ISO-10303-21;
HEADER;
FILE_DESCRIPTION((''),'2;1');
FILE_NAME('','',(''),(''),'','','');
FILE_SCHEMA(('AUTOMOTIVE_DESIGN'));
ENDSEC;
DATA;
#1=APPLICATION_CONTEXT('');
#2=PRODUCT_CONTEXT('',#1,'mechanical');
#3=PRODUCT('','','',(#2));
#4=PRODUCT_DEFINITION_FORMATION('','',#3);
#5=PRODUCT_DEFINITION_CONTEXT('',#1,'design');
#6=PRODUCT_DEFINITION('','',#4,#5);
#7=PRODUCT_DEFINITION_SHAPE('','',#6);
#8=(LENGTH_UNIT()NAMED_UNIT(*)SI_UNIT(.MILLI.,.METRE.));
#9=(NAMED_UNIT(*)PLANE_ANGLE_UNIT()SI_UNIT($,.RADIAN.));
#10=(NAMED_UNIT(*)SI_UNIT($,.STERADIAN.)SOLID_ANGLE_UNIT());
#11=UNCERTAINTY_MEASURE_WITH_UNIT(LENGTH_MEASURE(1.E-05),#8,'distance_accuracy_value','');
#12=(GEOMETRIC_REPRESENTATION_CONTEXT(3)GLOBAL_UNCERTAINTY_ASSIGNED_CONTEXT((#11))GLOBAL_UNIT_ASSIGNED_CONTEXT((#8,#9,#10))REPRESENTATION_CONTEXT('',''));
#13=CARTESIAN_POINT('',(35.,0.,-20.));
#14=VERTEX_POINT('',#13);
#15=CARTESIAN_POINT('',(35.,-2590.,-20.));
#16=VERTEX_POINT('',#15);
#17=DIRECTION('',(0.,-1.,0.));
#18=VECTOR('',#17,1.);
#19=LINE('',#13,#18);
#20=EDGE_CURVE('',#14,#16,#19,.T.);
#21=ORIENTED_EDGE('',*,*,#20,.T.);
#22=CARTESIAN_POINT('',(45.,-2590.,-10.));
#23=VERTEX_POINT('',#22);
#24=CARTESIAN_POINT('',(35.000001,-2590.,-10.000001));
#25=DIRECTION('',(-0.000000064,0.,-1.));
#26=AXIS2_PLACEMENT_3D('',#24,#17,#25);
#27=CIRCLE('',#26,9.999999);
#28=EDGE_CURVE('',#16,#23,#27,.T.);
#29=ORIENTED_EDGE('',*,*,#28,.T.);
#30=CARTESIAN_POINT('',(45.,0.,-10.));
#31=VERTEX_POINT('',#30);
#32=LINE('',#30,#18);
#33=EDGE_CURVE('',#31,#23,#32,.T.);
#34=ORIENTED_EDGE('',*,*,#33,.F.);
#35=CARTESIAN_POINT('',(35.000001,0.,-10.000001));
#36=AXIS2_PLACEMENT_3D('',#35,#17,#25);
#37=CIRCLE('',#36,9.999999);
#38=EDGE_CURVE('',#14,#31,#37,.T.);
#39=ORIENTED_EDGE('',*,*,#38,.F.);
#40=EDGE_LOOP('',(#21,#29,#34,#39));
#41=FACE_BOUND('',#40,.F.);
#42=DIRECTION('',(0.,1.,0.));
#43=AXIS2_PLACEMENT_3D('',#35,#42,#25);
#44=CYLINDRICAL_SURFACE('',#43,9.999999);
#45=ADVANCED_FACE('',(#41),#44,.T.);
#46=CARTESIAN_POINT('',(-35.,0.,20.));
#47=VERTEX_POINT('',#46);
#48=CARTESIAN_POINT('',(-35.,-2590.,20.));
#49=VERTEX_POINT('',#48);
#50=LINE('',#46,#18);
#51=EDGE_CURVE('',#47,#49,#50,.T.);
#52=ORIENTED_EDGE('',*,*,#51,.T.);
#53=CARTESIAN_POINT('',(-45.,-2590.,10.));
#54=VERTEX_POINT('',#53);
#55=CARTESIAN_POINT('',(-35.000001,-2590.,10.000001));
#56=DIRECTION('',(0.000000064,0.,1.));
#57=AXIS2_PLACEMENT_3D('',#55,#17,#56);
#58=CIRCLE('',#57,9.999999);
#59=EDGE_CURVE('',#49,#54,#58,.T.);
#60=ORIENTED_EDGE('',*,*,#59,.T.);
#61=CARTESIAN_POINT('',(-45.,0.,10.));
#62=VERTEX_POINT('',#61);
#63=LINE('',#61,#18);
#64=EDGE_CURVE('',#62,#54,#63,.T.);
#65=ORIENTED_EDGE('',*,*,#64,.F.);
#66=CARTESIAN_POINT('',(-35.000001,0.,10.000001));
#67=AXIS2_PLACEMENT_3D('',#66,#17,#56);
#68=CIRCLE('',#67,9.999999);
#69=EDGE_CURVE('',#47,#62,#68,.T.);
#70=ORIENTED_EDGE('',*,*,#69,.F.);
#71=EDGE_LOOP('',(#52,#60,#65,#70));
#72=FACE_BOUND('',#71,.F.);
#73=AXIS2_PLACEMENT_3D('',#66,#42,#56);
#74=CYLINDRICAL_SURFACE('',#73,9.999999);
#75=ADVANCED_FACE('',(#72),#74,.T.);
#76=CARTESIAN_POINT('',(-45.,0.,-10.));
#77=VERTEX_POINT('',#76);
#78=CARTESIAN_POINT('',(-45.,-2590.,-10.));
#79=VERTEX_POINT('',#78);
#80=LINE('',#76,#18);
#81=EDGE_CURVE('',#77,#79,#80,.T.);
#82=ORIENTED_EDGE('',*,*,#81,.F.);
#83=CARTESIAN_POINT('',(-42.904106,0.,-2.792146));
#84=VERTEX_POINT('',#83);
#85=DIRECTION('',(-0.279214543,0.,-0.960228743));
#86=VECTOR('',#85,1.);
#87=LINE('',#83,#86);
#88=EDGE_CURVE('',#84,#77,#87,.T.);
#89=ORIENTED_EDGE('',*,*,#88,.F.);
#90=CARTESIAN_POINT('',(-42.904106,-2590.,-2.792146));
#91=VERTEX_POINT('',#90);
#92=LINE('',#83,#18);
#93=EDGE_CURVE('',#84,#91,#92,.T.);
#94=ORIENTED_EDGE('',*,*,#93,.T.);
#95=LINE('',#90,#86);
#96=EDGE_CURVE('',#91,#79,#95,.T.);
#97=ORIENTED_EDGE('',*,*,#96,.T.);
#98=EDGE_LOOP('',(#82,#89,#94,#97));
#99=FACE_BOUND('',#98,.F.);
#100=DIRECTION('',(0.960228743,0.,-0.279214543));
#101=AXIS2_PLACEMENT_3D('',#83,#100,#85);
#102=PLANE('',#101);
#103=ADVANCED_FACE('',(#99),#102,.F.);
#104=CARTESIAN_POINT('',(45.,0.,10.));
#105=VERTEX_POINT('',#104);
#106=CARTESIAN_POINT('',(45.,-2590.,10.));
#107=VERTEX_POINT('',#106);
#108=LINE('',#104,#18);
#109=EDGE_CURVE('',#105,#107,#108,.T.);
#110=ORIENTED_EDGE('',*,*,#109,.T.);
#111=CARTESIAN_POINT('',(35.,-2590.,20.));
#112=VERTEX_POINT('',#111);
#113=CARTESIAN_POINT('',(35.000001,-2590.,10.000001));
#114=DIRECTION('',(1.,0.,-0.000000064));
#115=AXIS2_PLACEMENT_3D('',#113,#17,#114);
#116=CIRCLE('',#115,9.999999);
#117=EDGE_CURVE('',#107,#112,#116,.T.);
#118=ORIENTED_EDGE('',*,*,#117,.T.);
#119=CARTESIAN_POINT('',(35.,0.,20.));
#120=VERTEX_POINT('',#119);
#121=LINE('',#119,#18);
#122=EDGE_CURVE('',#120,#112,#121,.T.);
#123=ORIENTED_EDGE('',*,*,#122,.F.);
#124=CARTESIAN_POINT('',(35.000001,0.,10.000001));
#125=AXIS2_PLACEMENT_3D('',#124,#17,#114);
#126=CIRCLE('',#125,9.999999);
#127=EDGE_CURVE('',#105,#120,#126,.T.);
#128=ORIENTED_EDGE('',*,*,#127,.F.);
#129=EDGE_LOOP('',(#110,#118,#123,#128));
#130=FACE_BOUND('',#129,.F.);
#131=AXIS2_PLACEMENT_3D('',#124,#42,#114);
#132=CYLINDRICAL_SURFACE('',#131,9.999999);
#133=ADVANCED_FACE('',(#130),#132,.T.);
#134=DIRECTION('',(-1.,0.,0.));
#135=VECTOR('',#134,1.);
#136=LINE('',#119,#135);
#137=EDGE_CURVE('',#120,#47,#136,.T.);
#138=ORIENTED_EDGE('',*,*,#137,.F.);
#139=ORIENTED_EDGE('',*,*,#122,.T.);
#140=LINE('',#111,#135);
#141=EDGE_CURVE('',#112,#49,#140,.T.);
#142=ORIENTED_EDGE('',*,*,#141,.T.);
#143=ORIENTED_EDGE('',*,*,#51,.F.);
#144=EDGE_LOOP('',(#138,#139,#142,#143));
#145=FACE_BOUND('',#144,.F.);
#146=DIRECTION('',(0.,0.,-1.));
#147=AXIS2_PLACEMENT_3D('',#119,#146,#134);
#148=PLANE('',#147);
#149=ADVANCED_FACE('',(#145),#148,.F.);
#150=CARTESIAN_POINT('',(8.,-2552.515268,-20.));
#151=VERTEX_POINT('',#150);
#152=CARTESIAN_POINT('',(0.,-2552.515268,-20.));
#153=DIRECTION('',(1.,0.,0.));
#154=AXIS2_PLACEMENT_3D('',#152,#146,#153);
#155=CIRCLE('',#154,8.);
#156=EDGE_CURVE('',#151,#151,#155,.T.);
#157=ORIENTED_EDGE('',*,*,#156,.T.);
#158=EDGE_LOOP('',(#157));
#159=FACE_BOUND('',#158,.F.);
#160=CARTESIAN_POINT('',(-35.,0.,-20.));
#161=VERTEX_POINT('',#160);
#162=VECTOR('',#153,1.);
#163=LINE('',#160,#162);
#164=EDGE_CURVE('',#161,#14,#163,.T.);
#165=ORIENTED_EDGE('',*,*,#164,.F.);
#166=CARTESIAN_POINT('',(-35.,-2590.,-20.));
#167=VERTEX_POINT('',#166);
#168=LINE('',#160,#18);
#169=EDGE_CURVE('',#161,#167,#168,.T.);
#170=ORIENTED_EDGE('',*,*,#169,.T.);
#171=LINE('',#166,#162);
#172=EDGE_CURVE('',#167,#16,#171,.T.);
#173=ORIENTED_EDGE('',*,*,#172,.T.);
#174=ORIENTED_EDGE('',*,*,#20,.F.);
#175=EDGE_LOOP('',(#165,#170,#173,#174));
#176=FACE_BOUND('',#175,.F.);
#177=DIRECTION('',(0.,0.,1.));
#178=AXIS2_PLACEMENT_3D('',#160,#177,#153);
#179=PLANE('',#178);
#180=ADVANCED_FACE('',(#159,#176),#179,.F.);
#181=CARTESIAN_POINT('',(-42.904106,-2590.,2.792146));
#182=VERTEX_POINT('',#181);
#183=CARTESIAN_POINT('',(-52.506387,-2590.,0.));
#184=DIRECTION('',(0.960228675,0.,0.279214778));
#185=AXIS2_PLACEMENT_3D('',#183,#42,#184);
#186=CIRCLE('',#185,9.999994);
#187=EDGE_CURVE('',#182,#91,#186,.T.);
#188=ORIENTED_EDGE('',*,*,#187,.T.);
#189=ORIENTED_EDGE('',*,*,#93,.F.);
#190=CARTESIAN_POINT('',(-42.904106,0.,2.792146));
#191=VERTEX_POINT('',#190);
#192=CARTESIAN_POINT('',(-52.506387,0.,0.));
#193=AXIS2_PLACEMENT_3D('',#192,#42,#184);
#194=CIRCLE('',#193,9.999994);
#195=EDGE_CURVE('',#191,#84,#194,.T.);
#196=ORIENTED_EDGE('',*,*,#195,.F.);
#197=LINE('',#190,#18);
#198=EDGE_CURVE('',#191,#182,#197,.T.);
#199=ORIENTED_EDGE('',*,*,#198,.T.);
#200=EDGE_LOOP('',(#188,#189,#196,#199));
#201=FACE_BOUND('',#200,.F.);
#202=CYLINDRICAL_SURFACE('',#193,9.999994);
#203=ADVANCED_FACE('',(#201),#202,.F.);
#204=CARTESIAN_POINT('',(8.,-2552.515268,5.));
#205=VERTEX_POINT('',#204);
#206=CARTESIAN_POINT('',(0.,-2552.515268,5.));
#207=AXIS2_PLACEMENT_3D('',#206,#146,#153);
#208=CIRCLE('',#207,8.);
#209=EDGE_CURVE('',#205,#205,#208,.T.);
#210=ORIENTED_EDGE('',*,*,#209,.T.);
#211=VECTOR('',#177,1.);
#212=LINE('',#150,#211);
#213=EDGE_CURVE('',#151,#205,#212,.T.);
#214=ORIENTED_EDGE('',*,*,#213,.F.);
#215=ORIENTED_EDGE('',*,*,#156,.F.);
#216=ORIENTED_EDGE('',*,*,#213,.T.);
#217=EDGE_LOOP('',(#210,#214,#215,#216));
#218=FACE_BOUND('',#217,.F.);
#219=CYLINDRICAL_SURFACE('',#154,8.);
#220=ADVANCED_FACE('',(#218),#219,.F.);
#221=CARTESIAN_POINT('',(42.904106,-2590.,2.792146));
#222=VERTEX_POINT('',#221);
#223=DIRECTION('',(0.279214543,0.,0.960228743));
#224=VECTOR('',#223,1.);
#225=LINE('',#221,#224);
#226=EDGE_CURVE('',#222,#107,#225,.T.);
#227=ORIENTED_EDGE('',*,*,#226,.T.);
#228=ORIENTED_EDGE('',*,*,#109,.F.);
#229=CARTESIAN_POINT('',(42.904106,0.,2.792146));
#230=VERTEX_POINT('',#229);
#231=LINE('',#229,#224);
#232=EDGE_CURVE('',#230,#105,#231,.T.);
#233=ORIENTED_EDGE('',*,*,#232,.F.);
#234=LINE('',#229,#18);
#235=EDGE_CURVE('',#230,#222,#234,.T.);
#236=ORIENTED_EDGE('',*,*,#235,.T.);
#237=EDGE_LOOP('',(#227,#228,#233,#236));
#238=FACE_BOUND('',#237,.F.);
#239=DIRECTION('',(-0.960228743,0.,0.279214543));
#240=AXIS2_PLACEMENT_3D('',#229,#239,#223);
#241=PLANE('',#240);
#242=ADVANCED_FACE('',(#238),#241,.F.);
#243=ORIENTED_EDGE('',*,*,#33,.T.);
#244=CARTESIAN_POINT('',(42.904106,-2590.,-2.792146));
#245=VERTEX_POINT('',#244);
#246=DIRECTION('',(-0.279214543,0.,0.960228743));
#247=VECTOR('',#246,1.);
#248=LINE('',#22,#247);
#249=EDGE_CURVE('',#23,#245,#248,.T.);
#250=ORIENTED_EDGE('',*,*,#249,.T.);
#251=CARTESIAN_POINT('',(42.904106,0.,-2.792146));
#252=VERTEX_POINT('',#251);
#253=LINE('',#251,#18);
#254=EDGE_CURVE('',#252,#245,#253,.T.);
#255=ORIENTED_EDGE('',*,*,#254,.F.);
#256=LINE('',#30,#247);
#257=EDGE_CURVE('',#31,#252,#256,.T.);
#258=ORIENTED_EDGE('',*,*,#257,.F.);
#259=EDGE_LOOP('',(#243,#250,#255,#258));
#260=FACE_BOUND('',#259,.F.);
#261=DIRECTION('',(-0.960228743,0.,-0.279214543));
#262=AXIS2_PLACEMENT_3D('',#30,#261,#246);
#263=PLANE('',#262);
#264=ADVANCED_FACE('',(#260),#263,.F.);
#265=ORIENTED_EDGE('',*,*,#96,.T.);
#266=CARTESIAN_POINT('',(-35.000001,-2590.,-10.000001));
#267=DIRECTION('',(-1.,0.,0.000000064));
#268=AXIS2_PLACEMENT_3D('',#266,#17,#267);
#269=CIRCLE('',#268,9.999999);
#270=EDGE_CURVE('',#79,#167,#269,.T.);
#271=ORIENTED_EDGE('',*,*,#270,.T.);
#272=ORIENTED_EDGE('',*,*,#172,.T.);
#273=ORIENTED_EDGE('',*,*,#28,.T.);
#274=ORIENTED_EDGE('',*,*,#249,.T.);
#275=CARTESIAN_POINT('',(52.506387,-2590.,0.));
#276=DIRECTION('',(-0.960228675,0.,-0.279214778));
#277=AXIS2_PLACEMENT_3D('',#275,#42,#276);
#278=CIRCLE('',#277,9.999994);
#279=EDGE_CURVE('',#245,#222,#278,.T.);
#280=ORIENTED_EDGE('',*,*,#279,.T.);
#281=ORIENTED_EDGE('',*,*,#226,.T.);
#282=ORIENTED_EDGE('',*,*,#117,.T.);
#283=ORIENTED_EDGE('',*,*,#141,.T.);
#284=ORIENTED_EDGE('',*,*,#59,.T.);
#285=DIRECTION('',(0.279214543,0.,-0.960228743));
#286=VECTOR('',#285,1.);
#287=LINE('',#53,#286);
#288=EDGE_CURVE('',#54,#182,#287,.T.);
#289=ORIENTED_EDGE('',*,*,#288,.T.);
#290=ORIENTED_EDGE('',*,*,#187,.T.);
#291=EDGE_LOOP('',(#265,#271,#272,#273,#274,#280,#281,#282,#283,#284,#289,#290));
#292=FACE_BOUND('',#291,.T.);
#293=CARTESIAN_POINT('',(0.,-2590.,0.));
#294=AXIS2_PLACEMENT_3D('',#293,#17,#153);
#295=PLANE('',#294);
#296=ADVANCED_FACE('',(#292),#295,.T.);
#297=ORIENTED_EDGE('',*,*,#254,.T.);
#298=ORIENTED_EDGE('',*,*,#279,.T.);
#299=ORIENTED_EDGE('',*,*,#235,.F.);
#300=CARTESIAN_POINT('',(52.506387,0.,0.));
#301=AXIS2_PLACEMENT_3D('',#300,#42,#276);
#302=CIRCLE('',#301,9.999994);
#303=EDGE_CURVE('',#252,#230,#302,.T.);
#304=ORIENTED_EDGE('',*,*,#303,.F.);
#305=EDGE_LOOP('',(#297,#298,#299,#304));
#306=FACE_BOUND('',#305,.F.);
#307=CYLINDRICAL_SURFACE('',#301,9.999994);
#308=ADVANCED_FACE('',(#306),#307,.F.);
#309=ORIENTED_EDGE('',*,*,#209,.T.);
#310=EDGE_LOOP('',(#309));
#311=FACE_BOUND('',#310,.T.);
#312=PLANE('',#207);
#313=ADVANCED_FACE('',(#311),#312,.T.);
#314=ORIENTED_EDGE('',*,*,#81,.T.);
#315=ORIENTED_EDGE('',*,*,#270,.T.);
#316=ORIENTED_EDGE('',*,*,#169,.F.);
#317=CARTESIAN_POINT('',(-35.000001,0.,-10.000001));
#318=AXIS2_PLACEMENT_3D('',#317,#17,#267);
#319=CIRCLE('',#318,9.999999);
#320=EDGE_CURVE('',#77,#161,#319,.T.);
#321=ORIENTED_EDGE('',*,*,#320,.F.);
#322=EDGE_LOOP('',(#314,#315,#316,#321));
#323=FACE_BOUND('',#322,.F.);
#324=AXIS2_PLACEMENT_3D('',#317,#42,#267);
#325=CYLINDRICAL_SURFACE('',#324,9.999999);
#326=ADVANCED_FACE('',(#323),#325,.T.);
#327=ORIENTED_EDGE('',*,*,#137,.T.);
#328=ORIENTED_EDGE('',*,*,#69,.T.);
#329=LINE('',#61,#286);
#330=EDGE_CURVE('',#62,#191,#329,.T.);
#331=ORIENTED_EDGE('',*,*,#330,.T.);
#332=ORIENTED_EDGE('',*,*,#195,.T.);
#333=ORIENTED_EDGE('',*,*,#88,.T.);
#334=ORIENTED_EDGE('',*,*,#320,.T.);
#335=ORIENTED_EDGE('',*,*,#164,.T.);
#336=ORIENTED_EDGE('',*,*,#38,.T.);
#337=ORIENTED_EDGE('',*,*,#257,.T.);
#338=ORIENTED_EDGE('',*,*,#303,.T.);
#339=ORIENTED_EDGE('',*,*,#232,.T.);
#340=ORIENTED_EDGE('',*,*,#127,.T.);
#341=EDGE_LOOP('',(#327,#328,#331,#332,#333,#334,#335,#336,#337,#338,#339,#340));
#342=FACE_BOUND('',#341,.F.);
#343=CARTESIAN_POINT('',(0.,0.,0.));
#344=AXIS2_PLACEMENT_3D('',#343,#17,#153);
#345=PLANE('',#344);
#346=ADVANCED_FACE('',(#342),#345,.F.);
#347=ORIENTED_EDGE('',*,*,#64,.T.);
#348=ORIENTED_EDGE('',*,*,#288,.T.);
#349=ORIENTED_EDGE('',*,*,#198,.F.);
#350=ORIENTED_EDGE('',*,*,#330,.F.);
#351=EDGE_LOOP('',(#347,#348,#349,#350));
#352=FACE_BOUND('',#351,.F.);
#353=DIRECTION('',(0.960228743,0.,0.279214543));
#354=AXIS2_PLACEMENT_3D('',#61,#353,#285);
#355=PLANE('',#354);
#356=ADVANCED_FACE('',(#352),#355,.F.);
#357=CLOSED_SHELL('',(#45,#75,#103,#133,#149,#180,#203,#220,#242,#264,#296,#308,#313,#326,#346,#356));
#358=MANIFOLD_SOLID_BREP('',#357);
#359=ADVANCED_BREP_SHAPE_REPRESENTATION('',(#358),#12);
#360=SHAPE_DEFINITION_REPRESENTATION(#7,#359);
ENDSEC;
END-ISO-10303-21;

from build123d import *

# Parameters (mm, degrees)
F1_DEPTH = 2590
F2_R     = 8
F3_DEPTH = 25


with BuildPart() as f1:
    # F0 (on Front) → F1 (new body)
    with BuildSketch(Plane.XZ):
        with BuildLine():
            Line((-35, -20), (35, -20))
            ThreePointArc((35, -20), (42.071068, -17.071068), (45, -10))
            Line((45, -10), (42.904106, -2.792146))
            ThreePointArc((42.904106, -2.792146), (42.506393, 0), (42.904106, 2.792146))
            Line((42.904106, 2.792146), (45, 10))
            ThreePointArc((45, 10), (42.071068, 17.071068), (35, 20))
            Line((35, 20), (-35, 20))
            ThreePointArc((-35, 20), (-42.071068, 17.071068), (-45, 10))
            Line((-45, 10), (-42.904106, 2.792146))
            ThreePointArc((-42.904106, 2.792146), (-42.506393, 0), (-42.904106, -2.792146))
            Line((-42.904106, -2.792146), (-45, -10))
            ThreePointArc((-45, -10), (-42.071068, -17.071068), (-35, -20))
        make_face()
    extrude(amount=F1_DEPTH)

    # F2 (on face) → F3 (cut)
    with BuildSketch(Plane(origin=(0, 0, -20), x_dir=(1, 0, 0), z_dir=(0, 0, -1))):
        with Locations((0, 2552.515268)):
            Circle(F2_R)
    extrude(amount=-F3_DEPTH, mode=Mode.SUBTRACT)


solid = f1.part
